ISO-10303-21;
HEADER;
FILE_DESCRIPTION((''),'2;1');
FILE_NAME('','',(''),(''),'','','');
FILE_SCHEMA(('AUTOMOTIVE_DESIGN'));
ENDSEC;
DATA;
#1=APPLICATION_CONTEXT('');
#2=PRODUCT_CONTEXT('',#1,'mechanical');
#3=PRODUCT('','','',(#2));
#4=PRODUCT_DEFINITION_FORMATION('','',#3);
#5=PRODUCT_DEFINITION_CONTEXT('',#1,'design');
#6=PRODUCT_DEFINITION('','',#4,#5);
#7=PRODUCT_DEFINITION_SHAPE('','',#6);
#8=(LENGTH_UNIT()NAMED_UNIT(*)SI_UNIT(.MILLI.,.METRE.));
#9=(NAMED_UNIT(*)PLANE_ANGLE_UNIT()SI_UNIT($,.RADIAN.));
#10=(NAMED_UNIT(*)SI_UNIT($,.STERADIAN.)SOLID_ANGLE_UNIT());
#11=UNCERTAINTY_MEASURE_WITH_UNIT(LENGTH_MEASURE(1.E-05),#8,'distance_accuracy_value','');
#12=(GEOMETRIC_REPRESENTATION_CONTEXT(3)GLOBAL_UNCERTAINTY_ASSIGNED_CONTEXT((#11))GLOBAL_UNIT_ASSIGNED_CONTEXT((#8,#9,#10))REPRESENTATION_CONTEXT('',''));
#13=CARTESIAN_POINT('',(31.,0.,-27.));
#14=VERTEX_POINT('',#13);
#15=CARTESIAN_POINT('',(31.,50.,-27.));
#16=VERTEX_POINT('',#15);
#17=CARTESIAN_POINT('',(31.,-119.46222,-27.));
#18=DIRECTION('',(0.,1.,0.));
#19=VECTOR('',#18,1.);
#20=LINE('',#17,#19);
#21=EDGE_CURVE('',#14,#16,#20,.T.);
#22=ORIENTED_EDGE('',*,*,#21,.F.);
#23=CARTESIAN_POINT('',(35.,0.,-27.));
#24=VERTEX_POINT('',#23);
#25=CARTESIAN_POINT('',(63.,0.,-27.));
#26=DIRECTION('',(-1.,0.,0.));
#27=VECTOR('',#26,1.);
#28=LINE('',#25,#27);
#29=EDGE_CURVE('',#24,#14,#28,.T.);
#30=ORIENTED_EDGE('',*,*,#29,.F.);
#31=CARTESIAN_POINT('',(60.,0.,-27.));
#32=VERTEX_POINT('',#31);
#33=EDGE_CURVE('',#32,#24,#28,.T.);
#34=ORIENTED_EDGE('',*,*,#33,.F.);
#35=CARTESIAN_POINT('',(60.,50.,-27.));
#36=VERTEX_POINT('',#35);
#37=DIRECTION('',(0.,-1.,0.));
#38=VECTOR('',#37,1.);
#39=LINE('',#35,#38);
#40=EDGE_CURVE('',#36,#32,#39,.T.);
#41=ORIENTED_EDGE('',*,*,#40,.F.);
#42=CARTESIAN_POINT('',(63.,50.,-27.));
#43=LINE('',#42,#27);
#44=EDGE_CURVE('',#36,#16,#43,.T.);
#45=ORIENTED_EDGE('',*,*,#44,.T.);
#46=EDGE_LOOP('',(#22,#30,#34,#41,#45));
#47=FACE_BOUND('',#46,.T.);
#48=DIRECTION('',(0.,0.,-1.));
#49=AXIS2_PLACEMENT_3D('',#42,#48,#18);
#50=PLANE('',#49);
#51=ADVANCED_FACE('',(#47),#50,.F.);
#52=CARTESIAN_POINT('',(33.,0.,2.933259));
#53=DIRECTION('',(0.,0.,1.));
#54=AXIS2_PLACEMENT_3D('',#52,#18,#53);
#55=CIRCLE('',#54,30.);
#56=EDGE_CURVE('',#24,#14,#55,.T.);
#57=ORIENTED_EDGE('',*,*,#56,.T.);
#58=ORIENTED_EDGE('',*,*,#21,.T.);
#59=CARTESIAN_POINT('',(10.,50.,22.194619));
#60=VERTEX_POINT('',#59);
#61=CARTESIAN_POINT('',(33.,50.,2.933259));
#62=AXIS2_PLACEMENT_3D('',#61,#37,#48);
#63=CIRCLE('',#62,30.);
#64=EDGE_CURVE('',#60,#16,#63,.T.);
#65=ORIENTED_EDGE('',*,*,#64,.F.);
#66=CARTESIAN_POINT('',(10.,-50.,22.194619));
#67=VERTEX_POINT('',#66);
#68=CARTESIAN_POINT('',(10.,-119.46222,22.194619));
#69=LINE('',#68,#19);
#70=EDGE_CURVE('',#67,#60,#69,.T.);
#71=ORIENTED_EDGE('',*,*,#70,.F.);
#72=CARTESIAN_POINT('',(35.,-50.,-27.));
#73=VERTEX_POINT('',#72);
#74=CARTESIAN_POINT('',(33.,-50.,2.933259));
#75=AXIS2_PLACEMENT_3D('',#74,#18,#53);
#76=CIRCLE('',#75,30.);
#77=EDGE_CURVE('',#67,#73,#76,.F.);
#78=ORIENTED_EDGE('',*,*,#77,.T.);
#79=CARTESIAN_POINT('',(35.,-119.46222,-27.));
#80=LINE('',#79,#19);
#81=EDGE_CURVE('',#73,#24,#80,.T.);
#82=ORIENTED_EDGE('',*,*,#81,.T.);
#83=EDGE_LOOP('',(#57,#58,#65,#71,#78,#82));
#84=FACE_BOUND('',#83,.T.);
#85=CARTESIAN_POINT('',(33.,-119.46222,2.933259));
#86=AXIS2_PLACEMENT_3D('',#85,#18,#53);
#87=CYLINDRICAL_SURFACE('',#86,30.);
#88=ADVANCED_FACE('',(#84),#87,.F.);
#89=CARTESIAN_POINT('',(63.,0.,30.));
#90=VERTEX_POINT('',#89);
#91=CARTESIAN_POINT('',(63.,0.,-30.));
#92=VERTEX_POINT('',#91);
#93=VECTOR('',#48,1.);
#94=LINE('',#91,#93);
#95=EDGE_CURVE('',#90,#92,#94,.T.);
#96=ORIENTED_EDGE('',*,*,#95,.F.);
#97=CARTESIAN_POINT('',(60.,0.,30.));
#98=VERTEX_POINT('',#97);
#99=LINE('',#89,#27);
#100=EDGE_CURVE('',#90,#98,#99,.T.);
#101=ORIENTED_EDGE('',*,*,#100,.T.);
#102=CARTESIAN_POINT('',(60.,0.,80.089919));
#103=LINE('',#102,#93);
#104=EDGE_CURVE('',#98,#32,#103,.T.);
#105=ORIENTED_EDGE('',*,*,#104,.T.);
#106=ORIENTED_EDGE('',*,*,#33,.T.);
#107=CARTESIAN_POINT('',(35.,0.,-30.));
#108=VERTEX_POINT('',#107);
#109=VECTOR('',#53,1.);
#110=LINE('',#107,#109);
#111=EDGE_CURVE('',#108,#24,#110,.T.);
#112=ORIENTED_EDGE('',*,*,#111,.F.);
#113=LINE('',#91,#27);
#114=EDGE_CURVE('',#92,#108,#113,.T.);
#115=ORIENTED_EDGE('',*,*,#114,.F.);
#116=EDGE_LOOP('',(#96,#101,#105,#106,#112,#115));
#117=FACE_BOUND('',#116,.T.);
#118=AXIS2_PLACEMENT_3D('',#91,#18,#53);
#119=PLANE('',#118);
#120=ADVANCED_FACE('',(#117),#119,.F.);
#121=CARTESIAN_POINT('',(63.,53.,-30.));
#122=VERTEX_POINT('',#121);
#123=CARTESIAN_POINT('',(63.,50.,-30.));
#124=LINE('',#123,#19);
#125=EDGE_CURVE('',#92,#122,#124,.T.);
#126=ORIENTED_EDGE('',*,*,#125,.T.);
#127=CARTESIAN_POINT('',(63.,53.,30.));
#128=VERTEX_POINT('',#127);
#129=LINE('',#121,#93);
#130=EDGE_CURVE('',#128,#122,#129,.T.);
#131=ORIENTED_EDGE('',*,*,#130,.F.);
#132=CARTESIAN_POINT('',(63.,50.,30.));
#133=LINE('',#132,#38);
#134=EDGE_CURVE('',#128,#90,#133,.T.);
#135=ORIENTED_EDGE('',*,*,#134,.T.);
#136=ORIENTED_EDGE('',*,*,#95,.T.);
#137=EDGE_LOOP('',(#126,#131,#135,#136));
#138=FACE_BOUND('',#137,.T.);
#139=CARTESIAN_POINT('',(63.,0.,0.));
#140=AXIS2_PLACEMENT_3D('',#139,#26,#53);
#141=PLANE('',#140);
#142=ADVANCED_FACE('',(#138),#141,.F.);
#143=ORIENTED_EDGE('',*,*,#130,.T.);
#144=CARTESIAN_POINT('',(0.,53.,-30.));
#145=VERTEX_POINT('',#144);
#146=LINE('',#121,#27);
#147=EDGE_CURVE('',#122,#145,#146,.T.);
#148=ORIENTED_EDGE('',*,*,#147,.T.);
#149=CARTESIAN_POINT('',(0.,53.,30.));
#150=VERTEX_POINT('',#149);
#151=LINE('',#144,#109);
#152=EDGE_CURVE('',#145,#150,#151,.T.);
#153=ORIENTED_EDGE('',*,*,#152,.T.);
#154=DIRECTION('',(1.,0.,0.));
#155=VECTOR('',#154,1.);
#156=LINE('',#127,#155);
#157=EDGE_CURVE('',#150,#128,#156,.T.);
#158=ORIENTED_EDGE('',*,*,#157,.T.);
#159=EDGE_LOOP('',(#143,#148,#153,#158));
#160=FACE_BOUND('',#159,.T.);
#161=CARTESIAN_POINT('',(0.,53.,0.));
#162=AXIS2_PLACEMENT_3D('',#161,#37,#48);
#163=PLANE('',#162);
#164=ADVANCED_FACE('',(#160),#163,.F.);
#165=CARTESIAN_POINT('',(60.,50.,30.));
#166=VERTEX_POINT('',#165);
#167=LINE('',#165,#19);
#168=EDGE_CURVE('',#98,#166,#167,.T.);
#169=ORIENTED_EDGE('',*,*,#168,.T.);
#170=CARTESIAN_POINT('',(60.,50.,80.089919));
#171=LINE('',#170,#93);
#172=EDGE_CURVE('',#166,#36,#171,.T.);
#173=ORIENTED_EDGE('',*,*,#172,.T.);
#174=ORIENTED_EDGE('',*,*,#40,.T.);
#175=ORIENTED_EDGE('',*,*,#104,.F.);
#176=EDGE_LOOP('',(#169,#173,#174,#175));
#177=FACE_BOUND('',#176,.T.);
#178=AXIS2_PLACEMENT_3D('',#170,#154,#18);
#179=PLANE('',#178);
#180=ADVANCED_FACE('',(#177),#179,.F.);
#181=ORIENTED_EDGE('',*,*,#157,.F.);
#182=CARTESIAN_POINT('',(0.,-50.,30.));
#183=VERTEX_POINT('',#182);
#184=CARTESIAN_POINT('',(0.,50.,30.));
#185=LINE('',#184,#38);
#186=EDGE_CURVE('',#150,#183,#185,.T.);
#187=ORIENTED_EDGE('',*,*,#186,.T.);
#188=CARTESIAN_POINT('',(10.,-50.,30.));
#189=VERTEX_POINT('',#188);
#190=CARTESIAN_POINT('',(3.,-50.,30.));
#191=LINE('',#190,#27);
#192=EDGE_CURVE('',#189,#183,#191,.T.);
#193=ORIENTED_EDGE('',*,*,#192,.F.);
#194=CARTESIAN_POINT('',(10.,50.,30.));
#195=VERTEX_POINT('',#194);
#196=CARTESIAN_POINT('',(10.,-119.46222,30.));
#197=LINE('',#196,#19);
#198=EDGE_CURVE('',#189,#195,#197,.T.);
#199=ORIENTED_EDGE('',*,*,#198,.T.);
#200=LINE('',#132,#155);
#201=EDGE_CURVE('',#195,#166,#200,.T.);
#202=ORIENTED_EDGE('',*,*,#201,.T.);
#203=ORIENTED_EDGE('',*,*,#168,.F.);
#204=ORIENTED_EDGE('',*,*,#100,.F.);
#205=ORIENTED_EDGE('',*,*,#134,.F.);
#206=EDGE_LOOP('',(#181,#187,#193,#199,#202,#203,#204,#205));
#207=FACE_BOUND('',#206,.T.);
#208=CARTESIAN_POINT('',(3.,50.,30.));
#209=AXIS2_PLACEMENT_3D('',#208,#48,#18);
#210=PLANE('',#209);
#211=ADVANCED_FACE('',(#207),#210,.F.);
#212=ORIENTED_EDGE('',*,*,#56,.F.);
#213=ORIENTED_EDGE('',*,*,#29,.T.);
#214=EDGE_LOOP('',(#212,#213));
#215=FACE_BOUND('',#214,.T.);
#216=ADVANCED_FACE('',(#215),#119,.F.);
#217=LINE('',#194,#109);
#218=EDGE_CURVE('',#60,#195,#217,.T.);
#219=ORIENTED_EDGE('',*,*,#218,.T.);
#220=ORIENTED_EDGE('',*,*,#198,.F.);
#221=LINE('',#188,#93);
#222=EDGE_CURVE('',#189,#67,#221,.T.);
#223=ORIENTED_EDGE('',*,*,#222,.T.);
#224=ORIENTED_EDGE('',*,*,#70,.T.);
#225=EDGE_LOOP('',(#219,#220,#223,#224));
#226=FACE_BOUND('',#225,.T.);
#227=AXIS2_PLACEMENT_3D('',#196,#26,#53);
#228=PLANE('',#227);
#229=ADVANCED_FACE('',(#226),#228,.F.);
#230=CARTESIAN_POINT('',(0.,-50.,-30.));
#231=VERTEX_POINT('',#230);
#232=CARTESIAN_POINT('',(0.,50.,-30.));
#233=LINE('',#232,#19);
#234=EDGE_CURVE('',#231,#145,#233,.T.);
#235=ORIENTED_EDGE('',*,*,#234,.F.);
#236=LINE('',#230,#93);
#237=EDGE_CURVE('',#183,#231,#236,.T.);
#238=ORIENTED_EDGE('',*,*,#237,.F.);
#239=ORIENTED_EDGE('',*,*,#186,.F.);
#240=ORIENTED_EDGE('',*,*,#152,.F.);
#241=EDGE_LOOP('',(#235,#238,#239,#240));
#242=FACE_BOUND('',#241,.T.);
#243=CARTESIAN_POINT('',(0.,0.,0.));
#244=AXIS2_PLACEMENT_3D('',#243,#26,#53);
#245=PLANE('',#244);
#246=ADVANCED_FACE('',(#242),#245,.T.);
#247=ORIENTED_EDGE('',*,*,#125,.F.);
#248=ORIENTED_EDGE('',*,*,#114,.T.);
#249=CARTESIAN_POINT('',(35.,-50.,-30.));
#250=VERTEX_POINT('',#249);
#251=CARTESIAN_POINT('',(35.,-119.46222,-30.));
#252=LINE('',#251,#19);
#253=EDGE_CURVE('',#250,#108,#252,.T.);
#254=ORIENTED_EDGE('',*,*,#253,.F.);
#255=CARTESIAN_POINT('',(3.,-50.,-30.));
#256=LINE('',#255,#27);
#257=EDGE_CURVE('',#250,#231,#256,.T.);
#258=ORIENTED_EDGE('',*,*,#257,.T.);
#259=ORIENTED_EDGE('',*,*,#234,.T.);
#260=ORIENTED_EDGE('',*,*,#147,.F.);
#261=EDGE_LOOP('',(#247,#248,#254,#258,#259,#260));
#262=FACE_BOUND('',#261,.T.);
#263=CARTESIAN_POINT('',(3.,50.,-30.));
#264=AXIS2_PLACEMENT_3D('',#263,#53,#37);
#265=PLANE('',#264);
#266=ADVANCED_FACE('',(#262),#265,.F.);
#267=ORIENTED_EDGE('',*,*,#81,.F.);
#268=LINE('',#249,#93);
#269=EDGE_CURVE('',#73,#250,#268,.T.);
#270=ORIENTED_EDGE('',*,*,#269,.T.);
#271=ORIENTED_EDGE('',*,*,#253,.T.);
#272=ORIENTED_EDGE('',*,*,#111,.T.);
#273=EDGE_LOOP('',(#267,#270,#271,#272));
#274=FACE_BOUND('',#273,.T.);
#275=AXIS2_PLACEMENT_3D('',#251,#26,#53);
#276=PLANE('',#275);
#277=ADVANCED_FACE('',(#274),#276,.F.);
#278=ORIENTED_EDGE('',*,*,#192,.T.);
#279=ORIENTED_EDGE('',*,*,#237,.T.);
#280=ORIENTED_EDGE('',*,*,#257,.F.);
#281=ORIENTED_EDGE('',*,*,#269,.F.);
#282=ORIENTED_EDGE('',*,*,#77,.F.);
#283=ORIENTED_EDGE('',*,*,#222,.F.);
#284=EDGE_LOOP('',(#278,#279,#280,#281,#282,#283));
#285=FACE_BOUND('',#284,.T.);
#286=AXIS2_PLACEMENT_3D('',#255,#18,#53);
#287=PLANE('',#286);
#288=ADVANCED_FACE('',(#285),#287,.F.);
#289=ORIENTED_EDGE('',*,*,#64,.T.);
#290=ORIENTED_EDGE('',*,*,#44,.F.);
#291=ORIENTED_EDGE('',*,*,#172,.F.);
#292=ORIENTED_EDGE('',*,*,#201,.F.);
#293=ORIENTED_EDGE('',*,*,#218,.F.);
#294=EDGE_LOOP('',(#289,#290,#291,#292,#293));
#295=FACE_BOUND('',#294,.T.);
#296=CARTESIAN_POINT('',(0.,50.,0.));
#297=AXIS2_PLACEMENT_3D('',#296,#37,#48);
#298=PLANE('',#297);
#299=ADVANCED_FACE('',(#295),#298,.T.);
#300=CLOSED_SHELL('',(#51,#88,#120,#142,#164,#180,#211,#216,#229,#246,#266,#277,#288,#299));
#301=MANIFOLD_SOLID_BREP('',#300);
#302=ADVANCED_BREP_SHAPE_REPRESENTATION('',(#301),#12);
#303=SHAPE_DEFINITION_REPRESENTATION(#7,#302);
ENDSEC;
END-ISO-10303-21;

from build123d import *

# Parameters (mm, degrees)
SKETCH1_W           = 60
SKETCH1_H           = 100
BOSS_EXTRUDE1_DEPTH = 3
SKETCH2_W           = 3
SKETCH2_H           = 50
BOSS_EXTRUDE2_DEPTH = 60
SKETCH3_W           = 3
SKETCH3_H           = 50
BOSS_EXTRUDE3_DEPTH = 57
SKETCH4_W           = 63
SKETCH4_H           = 60
BOSS_EXTRUDE4_DEPTH = 3
BOSS_EXTRUDE6_REACH = 123.939


with BuildPart() as part:
    # Sketch1 → Boss-Extrude1 (new body)
    with BuildSketch(Plane(origin=(0, 0, 0), x_dir=(0, 0, -1), z_dir=(1, 0, 0))):
        Rectangle(SKETCH1_W, SKETCH1_H)
    extrude(amount=BOSS_EXTRUDE1_DEPTH)

    # Sketch2 → Boss-Extrude2 (add)
    with BuildSketch(Plane(origin=(3, 0, 0), x_dir=(0, 0, -1), z_dir=(1, 0, 0))):
        with Locations((28.5, 25)):
            Rectangle(SKETCH2_W, SKETCH2_H)
    extrude(amount=BOSS_EXTRUDE2_DEPTH)

    # Sketch3 → Boss-Extrude3 (add)
    with BuildSketch(Plane.XY.offset(-27)):
        with Locations((61.5, 25)):
            Rectangle(SKETCH3_W, SKETCH3_H)
    extrude(amount=BOSS_EXTRUDE3_DEPTH)

    # Sketch4 → Boss-Extrude4 (add)
    with BuildSketch(Plane(origin=(0, 50, 0), x_dir=(1, 0, 0), z_dir=(0, 1, 0))):
        with Locations((31.5, 0)):
            Rectangle(SKETCH4_W, SKETCH4_H)
    extrude(amount=BOSS_EXTRUDE4_DEPTH)

    # Boss-Extrude6: up to this face of the body (flat: up to its plane)
    boss_extrude6_end = Plane(part.part.faces().sort_by_distance((1.5, -50, 0))[0])
    # Sketch7 → Boss-Extrude6 (add, up to the picked face)
    with BuildSketch(Plane.XZ.offset(-50), mode=Mode.PRIVATE) as boss_extrude6_sk1:
        with BuildLine():
            Line((0, -30), (35, -30))
            Line((35, -30), (35, -27))
            ThreePointArc((35, -27), (6.255324942, -10.658001188), (10, 22.194619378))
            Line((10, 22.194619378), (10, 30))
            Line((10, 30), (0, 30))
            Line((0, 30), (0, -30))
        make_face()
    boss_extrude6_tool1 = split(extrude(boss_extrude6_sk1.sketch, amount=BOSS_EXTRUDE6_REACH, mode=Mode.PRIVATE), bisect_by=boss_extrude6_end, keep=Keep.BOTH, mode=Mode.PRIVATE)
    add(boss_extrude6_tool1.solids().sort_by(Axis((17.5, 50, -29.305378), (0, -1, 0)))[0])


solid = part.part
